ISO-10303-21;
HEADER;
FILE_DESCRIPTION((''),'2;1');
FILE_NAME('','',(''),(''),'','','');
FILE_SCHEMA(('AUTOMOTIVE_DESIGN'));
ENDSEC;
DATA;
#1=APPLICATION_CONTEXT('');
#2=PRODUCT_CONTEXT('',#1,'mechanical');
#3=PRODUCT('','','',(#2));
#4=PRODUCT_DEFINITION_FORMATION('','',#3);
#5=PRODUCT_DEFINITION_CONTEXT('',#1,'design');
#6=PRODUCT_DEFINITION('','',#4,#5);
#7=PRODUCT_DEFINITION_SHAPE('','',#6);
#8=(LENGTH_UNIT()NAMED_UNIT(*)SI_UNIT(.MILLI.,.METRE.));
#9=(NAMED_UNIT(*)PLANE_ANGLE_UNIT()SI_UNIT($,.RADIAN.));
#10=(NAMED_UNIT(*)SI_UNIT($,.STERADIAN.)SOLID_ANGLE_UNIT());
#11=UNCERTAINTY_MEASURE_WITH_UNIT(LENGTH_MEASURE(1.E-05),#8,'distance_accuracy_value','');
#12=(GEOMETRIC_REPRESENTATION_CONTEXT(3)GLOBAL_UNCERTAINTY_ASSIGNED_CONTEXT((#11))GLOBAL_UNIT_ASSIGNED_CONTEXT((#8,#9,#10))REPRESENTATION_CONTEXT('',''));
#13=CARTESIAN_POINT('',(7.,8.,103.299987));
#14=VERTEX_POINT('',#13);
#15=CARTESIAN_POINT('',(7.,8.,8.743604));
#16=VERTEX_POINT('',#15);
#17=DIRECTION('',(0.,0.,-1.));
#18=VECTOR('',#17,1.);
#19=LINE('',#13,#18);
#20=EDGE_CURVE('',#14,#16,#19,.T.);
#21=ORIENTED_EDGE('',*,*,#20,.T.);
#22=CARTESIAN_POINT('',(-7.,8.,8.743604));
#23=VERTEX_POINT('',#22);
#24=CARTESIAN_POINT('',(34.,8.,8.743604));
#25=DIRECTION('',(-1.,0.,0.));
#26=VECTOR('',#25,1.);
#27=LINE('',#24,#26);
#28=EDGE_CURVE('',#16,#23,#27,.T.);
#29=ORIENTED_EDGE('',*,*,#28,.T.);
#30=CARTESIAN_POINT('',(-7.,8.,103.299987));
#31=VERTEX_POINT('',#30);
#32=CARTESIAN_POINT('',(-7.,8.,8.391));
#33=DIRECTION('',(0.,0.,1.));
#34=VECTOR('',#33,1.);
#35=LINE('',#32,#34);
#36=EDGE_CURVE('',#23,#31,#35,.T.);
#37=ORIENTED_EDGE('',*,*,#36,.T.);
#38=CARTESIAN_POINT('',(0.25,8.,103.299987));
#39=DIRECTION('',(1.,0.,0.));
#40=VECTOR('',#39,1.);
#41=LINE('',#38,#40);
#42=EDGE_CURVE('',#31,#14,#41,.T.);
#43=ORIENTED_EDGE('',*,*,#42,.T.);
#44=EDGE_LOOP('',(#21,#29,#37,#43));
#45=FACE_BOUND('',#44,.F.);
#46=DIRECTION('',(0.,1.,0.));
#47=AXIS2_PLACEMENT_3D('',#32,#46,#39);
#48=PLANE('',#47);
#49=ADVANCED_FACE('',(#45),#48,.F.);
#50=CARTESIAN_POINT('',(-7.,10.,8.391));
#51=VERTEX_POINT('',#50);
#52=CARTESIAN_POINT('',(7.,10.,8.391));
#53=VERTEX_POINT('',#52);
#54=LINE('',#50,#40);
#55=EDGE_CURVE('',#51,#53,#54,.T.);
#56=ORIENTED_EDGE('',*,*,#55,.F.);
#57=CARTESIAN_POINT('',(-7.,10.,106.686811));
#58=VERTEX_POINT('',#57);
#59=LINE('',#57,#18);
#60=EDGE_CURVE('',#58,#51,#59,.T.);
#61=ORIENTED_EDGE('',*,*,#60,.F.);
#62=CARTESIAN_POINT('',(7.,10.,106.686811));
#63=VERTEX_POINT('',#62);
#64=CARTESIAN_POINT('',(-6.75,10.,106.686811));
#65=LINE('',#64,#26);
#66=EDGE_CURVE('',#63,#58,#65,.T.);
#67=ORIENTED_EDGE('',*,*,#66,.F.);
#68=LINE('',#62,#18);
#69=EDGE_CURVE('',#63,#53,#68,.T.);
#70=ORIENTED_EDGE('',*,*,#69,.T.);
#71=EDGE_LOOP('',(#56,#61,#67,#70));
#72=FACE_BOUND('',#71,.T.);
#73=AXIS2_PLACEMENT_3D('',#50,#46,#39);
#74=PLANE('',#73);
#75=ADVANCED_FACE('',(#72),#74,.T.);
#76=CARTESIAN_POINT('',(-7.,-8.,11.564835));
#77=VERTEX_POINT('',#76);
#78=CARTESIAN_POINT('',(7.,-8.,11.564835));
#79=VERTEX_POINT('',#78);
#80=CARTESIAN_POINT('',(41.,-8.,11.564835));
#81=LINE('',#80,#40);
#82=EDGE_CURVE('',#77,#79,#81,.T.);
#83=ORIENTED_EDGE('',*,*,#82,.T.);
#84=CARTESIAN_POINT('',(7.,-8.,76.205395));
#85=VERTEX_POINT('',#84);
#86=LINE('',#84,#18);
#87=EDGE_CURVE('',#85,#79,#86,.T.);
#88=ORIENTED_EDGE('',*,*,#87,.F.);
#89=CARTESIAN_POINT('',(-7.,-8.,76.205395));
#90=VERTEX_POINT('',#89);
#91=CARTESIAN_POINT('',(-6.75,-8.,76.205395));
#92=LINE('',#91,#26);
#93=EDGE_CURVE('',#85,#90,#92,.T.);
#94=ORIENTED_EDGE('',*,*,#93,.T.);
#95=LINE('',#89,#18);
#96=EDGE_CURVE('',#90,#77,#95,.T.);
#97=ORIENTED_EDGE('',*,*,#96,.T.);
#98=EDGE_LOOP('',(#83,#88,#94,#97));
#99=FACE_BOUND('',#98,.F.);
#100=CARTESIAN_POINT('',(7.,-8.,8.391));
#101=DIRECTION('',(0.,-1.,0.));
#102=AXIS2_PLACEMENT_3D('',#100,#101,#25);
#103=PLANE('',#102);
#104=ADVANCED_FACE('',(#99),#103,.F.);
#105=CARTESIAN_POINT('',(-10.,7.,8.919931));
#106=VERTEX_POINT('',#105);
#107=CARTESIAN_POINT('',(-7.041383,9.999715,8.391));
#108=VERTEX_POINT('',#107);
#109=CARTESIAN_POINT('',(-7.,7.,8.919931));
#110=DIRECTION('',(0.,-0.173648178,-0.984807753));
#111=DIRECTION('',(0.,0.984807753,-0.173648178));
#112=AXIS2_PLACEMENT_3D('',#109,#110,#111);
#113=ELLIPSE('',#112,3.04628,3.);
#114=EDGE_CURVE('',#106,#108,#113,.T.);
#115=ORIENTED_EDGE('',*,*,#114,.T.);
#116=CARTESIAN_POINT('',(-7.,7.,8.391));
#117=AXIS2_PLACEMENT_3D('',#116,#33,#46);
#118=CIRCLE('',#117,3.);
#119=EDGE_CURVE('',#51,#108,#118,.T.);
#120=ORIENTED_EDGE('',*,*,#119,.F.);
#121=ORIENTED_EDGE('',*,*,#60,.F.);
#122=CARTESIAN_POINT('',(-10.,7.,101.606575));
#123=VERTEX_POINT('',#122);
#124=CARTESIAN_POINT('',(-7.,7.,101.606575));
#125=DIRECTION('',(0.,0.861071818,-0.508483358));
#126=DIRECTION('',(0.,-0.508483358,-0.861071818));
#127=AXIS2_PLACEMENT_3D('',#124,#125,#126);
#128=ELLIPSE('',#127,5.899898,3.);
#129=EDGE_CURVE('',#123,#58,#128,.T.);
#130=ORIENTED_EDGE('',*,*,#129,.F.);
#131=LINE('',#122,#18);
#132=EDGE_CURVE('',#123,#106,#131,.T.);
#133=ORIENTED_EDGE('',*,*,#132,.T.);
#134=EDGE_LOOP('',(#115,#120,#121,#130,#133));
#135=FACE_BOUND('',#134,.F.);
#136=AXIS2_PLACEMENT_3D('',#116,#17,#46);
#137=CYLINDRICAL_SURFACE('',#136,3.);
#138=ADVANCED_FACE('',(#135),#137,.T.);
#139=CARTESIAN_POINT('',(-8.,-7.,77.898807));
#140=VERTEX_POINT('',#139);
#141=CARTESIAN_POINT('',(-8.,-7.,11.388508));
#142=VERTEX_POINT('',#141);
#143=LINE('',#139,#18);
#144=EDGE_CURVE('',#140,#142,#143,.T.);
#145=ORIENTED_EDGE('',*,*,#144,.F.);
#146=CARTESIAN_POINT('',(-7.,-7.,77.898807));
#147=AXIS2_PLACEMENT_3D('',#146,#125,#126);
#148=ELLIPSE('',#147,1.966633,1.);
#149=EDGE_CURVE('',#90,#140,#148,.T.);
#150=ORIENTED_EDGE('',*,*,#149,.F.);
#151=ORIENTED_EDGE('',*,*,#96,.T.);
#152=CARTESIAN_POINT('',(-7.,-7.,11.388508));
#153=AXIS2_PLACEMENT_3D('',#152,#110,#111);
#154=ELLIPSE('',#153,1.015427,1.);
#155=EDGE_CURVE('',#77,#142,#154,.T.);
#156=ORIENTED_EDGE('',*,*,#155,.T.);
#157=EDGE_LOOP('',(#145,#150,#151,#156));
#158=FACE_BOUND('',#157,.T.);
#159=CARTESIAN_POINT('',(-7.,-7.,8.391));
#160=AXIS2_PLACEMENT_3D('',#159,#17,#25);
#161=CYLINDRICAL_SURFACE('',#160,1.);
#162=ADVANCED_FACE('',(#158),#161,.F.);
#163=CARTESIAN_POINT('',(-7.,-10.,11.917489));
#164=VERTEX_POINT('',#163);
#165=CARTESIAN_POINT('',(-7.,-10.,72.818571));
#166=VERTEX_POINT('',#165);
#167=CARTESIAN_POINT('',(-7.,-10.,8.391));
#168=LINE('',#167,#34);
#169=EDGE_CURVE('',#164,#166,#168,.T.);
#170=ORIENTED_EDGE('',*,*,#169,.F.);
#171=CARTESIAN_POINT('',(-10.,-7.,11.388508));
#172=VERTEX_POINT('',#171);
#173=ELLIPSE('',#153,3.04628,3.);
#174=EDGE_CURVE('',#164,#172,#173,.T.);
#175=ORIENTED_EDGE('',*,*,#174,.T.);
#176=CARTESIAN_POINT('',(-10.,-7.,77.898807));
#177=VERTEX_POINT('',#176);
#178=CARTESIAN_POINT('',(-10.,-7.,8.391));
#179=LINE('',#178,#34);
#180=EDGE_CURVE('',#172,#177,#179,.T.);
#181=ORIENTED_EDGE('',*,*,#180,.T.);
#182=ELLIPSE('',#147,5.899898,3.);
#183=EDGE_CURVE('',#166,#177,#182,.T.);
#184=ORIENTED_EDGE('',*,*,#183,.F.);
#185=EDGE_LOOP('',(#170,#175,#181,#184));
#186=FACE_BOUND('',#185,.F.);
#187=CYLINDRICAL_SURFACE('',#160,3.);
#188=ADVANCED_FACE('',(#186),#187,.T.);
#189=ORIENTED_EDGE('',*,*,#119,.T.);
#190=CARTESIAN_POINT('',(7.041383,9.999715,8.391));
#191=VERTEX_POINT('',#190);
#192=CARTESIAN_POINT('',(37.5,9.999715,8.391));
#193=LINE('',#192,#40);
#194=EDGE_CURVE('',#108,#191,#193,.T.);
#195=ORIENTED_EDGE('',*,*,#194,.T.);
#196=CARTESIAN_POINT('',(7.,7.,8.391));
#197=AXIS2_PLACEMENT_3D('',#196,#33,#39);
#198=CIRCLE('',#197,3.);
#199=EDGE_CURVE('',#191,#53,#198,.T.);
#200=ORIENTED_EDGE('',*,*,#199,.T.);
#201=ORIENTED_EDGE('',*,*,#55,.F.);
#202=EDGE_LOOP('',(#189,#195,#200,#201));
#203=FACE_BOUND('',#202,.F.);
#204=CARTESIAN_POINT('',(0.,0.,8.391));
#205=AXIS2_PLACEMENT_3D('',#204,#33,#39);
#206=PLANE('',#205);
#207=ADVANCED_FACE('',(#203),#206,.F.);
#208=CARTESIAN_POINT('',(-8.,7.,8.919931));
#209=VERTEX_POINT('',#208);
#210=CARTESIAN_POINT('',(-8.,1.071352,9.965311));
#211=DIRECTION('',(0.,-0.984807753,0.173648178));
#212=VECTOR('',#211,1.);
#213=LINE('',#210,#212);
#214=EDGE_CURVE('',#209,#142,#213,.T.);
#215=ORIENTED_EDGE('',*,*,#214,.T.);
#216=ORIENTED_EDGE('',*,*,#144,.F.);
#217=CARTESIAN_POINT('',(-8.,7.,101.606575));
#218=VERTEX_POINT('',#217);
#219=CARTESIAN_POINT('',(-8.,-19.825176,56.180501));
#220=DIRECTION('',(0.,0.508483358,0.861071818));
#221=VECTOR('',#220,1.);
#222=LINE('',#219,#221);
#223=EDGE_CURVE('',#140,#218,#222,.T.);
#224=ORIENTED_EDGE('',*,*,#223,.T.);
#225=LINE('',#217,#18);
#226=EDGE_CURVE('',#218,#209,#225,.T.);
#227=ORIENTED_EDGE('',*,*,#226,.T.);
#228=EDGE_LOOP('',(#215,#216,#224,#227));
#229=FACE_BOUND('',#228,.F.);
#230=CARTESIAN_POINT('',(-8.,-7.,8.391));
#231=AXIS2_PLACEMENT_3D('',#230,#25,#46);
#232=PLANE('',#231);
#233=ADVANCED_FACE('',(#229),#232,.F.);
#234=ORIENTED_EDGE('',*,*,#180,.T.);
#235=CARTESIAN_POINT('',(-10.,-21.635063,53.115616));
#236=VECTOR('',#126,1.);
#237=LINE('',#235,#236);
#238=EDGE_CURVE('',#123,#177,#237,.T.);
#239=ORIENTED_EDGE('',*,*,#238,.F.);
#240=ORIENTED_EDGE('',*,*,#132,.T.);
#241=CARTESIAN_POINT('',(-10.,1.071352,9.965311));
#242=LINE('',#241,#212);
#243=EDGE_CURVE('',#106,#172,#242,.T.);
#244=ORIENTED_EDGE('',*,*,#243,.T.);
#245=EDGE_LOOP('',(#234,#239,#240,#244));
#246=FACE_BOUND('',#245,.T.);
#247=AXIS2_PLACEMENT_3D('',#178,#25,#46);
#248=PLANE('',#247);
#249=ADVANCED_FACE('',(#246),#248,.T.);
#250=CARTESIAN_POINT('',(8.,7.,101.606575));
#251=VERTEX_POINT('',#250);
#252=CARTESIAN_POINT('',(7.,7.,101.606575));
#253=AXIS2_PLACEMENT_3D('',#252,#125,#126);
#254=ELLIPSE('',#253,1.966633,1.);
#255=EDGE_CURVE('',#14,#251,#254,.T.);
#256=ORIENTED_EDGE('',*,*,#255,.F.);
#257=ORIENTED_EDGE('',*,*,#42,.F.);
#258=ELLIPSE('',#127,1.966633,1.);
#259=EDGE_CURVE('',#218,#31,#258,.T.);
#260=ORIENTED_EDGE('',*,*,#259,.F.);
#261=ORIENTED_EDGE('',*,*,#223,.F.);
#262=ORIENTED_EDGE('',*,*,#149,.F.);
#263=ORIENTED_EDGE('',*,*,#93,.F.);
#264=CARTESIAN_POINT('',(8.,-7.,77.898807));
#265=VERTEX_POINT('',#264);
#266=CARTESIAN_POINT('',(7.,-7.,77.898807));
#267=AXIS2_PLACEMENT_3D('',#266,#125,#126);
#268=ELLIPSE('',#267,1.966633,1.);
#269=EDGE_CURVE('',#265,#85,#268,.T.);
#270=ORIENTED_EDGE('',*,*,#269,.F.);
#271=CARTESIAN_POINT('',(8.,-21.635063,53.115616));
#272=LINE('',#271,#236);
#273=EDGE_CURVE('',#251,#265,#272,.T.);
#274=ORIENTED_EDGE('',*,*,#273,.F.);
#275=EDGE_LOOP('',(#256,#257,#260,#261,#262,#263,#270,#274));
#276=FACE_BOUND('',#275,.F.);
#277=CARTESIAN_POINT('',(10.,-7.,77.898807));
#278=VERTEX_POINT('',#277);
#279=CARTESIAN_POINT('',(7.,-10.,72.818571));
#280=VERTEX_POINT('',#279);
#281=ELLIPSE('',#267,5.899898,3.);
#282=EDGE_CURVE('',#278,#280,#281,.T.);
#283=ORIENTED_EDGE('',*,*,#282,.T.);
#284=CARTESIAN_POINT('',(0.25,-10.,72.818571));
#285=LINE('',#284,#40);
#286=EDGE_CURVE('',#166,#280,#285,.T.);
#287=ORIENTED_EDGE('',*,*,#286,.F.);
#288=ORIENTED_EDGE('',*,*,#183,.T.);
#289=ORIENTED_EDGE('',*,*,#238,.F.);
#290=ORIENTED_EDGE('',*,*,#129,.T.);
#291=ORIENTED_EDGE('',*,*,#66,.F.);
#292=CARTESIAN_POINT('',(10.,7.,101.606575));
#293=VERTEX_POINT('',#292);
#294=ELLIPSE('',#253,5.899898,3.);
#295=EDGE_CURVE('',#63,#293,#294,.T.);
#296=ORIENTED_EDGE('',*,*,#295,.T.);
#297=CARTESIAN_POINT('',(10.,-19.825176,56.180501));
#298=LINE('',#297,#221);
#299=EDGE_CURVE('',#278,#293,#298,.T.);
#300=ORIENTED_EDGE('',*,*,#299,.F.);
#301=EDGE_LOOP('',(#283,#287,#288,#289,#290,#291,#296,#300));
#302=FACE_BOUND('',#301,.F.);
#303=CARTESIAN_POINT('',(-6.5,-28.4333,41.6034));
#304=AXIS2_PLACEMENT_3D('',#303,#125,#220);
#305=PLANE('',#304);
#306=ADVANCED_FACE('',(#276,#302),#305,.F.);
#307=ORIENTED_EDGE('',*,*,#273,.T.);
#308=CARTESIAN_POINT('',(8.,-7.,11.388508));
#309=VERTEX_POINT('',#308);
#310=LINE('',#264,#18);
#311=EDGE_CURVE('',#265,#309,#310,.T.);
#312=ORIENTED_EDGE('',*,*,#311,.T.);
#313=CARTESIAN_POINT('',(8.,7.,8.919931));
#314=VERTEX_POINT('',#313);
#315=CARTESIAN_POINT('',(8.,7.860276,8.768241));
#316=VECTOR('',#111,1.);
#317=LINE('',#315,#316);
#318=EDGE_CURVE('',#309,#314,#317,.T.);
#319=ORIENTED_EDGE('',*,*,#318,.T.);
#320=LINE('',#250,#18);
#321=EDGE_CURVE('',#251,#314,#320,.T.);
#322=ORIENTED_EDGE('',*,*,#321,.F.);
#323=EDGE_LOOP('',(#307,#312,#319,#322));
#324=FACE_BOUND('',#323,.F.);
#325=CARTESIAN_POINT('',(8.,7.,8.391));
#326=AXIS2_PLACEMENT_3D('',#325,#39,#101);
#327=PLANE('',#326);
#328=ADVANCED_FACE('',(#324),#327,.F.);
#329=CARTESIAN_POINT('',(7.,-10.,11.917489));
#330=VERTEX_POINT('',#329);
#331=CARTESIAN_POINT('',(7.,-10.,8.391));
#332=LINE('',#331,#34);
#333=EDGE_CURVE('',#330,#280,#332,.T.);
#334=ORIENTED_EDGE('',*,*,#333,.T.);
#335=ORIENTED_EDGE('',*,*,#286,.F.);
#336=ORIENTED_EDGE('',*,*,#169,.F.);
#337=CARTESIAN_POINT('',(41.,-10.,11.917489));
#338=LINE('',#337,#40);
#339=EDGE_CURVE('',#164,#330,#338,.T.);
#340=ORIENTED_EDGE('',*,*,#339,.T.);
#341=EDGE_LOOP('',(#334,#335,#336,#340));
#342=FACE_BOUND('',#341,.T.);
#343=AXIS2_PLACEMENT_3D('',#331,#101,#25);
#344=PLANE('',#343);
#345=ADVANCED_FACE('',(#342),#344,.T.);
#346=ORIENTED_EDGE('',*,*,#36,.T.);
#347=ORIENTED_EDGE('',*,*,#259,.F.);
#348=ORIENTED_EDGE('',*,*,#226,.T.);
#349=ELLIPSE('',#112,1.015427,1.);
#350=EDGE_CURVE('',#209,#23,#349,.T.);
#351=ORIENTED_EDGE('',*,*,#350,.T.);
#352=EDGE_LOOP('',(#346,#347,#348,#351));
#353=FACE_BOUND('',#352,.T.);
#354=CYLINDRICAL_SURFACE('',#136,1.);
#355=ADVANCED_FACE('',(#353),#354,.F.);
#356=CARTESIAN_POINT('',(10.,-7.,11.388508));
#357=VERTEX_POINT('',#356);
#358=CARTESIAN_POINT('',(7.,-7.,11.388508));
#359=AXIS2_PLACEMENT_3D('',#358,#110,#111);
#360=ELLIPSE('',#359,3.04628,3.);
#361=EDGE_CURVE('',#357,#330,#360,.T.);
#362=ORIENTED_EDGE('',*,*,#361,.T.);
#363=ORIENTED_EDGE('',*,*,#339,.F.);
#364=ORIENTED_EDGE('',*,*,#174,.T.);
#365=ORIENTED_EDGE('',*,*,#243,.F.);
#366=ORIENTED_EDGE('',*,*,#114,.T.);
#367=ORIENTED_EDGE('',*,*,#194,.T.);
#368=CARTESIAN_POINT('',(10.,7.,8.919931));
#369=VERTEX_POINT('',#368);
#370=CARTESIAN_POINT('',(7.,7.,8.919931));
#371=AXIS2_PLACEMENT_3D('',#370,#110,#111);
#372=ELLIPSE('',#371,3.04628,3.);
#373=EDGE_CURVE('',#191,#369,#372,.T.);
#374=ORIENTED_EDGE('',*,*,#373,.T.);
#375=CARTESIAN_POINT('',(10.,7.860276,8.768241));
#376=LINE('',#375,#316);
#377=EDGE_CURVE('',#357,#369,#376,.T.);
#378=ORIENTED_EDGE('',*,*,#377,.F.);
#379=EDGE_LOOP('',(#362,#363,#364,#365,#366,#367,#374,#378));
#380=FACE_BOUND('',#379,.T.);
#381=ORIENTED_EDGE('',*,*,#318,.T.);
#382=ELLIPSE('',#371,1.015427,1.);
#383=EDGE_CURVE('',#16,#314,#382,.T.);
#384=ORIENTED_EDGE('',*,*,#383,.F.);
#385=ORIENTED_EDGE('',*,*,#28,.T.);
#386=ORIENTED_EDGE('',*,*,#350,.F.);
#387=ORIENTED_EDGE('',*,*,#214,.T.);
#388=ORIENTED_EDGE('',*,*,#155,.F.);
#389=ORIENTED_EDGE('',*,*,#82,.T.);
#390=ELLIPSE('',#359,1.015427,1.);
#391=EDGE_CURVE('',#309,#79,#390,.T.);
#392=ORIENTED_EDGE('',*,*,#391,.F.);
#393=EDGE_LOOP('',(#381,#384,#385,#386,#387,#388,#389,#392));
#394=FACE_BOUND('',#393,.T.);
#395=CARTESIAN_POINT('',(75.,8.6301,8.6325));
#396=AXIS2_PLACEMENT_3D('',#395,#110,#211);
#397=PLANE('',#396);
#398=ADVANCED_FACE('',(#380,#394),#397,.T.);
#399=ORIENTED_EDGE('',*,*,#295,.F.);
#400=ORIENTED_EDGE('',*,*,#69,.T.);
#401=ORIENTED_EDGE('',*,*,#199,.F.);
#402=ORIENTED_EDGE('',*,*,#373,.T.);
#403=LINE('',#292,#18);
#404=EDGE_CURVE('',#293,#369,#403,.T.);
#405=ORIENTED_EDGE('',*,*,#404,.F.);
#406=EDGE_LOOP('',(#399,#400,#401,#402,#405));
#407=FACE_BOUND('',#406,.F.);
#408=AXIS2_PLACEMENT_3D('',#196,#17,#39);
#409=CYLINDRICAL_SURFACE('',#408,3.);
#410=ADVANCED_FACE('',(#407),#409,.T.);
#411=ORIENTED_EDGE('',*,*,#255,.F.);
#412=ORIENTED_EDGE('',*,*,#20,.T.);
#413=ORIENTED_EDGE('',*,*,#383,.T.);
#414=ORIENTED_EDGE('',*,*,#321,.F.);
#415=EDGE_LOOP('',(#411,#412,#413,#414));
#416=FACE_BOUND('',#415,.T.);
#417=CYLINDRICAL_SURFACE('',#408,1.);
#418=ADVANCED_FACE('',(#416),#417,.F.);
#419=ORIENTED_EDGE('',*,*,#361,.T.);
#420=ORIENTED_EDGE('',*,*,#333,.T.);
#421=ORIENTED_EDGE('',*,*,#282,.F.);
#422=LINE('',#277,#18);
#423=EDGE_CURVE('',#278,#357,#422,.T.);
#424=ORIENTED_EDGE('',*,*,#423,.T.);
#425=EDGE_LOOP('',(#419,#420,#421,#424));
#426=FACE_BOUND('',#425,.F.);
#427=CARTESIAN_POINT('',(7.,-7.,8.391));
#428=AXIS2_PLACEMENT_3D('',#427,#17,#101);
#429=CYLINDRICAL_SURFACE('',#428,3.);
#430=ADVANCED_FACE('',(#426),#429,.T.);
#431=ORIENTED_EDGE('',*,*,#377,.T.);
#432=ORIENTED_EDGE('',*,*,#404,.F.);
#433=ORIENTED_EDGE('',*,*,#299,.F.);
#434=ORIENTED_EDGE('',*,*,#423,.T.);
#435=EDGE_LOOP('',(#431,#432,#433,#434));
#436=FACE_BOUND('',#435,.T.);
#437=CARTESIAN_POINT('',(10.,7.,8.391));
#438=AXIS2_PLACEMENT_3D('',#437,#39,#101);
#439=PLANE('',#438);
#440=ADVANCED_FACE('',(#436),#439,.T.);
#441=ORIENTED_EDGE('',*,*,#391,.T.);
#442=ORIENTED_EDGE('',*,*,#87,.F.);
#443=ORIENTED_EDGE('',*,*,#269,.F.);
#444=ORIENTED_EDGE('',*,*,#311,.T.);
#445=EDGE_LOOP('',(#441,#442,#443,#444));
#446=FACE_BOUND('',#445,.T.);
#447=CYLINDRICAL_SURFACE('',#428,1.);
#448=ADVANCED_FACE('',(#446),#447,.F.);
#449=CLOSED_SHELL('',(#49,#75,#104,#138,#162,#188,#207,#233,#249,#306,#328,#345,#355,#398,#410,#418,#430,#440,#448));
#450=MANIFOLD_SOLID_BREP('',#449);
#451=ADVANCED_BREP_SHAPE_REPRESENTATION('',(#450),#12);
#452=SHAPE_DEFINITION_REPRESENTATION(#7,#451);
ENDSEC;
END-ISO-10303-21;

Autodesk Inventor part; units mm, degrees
ref_plane "Start Plane" through (0, 0, 8.391) normal (0, 0, 1) x (1, 0, 0)
ref_plane "End Plane" through (0, 0, 60) normal (0, 0, 1) x (1, 0, 0)
sketch "Sketch" plane through (0, 0, 0) normal (0, 0, 1) x (1, 0, 0)
  line L0 (-10, -7) -> (-10, 7)
  line L1 (-7, 10) -> (7, 10)
  line L2 (10, 7) -> (10, -7)
  line L3 (7, -10) -> (-7, -10)
  arc A0 (-10, -7) -> (-7, -10) centre (-7, -7) ccw
  arc A1 (-7, 10) -> (-10, 7) centre (-7, 7) ccw
  arc A2 (10, 7) -> (7, 10) centre (7, 7) ccw
  arc A3 (7, -10) -> (10, -7) centre (7, -7) ccw
  arc A4 (-7, 8) -> (-8, 7) centre (-7, 7) ccw
  line L4 (-7, 8) -> (7, 8)
  arc A5 (8, 7) -> (7, 8) centre (7, 7) ccw
  line L5 (8, 7) -> (8, -7)
  arc A6 (7, -8) -> (8, -7) centre (7, -7) ccw
  line L6 (7, -8) -> (-7, -8)
  arc A7 (-8, -7) -> (-7, -8) centre (-7, -7) ccw
  line L7 (-8, -7) -> (-8, 7)
  line L8 (0, 14.8698) -> (0, -14.8698) construction
  line L9 (-14.8698, 0) -> (14.8698, 0) construction
  dimension "d7" = 3
  dimension "d10" = 20
  dimension "d11" = 20
  dimension "d12" = 2
  dimension "d15" = 10
  dimension "d16" = 10
extrude "Body" add sketch "Sketch" along normal up to surface (51.609 mm away) from surface at 8.391
sketch "Sketch3" plane through (0, 0, 0) normal (0, 0, 1) x (1, 0, 0)
  line L0 (0, 0) -> (10, 0)
ref_plane "Work Plane3" through (0, 0, 0) normal (0, -1, 0) x (1, 0, 0)
sketch "Sketch4" plane through (0, 0, 0) normal (0, -1, 0) x (1, 0, 0)
  line L0 (-2, 8.391) -> (12, 8.391)
  line L1 (-2, 60) -> (12, 60)
  dimension "d18" = 51.609
sketch "Sketch5" plane through (-7, -10, 60) normal (0, 0, 1) x (1, 0, 0)
  line L0 (14, 18) -> (0, 18) projected
  arc A0 (15, 17) -> (14, 18) centre (14, 17) ccw projected
  line L1 (15, 3) -> (15, 17) projected
  arc A1 (14, 2) -> (15, 3) centre (14, 3) ccw projected
  line L2 (0, 2) -> (14, 2) projected
  arc A2 (-1, 3) -> (0, 2) centre (0, 3) ccw projected
  line L3 (-1, 17) -> (-1, 3) projected
  arc A3 (0, 18) -> (-1, 17) centre (0, 17) ccw projected
  line L4 (-3, 3) -> (-3, 17) projected
  arc A4 (-3, 3) -> (0, 0) centre (0, 3) ccw projected
  line L5 (14, 0) -> (0, 0) projected
  arc A5 (14, 0) -> (17, 3) centre (14, 3) ccw projected
  line L6 (17, 17) -> (17, 3) projected
  arc A6 (17, 17) -> (14, 20) centre (14, 17) ccw projected
  line L7 (0, 20) -> (14, 20) projected
  arc A7 (0, 20) -> (-3, 17) centre (0, 17) ccw projected
  point P0 (7, 10)
ref_plane "Work Plane4" through (-6.5, -25.0184, 42.0413) normal (0, 0.9318, -0.363) x (0, 0.363, 0.9318)
ref_plane "Work Plane5" through (-6.5, -27.0573, 38.5716) normal (0, 0.8829, -0.4695) x (0, 0.4695, 0.8829)
ref_plane "Work Plane7" through (-6.5, -28.4333, 41.6034) normal (0, 0.8611, -0.5085) x (0, 0.5085, 0.8611)
ref_plane "Work Plane8" through (-6.5, -28.4333, 41.6034) normal (0, 0.8611, -0.5085) x (0, 0.5085, 0.8611)
extrude "Extrusion2" add sketch "Sketch5" along normal up to surface surface through (-6.5, -28.4333, 41.6034) normal (0, 0.8611, -0.5085)
ref_plane "Work Plane6" through (75, 8.6301, 8.6325) normal (0, -0.1736, -0.9848) x (1, 0, 0)
split "Split1" plane through (75, 8.6301, 8.6325) removes the side toward (0, -0.1736, -0.9848)
equation "\"d7\" = G_IR"
equation "\"d10\" = G_H"
equation "\"d11\" = G_W"
equation "\"d12\" = G_T"
equation "\"d15\" = 0.5 * d10"
equation "\"d16\" = 0.5 * d11"
equation "\"d3\" = G_L"
equation "\"G_W\" = 20"
equation "\"G_H\" = 20"
equation "\"G_T\" = 2"
equation "\"G_IR\" = 3"
equation "\"G_L\" = 98.29424"
equation "\"G_OFFSET_START\" = -8.391"
equation "\"G_OFFSET_END\" = 0"
equation "\"d13\" = -G_OFFSET_START"
properties part number "ISO 12633-2 - 20x20x2 - 98,29" material "Steel, Mild"
